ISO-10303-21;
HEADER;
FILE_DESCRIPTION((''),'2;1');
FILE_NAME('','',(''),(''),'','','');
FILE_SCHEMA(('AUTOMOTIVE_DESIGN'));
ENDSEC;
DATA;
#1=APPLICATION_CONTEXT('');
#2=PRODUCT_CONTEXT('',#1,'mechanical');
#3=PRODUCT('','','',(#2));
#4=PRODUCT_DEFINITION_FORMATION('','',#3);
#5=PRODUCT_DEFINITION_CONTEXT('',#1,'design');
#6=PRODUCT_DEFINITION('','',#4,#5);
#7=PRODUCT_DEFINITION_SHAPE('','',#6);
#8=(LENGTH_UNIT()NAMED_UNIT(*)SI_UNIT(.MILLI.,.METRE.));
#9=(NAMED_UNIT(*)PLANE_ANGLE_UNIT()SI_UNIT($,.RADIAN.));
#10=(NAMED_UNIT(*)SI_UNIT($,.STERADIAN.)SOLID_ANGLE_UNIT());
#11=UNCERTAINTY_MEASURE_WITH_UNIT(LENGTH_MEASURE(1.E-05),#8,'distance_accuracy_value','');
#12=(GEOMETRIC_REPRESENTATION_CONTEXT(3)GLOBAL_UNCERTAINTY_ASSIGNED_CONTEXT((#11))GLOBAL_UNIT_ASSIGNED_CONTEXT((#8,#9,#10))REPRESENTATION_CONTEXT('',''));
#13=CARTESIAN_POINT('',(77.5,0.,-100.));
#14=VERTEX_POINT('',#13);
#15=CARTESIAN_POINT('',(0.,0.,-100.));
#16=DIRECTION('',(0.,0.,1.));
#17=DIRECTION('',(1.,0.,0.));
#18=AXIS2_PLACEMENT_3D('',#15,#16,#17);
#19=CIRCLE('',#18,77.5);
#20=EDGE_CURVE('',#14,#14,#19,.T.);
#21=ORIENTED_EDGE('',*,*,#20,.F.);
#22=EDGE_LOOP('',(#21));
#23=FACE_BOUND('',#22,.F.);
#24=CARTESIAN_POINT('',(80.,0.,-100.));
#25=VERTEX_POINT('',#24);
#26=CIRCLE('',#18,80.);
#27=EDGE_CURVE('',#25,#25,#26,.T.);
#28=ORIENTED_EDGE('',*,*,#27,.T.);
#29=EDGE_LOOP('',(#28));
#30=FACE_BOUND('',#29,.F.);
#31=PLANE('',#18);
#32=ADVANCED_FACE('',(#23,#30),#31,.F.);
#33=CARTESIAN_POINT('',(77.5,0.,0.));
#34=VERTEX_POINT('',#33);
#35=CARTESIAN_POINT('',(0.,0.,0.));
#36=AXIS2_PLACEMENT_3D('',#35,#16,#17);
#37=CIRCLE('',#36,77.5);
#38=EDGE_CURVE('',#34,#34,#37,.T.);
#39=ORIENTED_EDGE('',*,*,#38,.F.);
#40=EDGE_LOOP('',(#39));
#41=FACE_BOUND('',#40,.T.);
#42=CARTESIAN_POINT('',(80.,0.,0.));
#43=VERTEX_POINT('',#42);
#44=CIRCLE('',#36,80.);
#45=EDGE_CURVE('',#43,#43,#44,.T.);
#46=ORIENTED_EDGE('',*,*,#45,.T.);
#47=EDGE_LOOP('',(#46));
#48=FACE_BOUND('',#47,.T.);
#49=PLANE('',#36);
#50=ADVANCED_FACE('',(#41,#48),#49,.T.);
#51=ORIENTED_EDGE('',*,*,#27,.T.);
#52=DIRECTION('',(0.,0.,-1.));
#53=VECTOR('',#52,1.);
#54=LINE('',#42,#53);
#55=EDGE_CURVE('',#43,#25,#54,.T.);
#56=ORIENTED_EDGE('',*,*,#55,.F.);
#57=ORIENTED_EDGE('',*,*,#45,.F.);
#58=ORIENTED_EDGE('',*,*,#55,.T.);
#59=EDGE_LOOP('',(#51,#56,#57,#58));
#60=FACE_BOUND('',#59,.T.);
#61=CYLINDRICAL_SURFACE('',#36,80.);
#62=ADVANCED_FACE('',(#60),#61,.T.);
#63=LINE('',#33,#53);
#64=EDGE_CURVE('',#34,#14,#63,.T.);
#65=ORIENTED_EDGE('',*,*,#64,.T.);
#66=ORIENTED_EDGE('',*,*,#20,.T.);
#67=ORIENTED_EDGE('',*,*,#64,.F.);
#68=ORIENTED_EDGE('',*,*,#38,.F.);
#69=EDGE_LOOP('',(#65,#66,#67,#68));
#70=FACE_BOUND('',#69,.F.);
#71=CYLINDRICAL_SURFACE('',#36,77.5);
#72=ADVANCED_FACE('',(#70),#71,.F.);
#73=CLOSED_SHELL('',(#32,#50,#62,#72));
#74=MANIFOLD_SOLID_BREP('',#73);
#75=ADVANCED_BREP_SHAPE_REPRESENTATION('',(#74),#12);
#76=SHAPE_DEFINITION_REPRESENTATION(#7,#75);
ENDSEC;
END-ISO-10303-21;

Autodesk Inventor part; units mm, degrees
ref_plane "YZ Plane" through (0, 0, 0) normal (1, 0, 0) x (0, 1, 0)
ref_plane "XY Plane" through (0, 0, 0) normal (0, 0, 1) x (1, 0, 0)
sketch "Esquisse1" plane through (0, 0, 0) normal (0, 0, 1) x (1, 0, 0)
  circle A0 centre (0, 0) radius 77.5
  circle A1 centre (0, 0) radius 80
  dimension "d0" = 155
  dimension "d1" = 160
extrude "Extrusion1" add sketch "Esquisse1" against normal blind 100
ref_plane "Plan de construction1" through (0, 0, -50) normal (0, 0, 1) x (1, 0, 0)
properties part number "Rouleau"
